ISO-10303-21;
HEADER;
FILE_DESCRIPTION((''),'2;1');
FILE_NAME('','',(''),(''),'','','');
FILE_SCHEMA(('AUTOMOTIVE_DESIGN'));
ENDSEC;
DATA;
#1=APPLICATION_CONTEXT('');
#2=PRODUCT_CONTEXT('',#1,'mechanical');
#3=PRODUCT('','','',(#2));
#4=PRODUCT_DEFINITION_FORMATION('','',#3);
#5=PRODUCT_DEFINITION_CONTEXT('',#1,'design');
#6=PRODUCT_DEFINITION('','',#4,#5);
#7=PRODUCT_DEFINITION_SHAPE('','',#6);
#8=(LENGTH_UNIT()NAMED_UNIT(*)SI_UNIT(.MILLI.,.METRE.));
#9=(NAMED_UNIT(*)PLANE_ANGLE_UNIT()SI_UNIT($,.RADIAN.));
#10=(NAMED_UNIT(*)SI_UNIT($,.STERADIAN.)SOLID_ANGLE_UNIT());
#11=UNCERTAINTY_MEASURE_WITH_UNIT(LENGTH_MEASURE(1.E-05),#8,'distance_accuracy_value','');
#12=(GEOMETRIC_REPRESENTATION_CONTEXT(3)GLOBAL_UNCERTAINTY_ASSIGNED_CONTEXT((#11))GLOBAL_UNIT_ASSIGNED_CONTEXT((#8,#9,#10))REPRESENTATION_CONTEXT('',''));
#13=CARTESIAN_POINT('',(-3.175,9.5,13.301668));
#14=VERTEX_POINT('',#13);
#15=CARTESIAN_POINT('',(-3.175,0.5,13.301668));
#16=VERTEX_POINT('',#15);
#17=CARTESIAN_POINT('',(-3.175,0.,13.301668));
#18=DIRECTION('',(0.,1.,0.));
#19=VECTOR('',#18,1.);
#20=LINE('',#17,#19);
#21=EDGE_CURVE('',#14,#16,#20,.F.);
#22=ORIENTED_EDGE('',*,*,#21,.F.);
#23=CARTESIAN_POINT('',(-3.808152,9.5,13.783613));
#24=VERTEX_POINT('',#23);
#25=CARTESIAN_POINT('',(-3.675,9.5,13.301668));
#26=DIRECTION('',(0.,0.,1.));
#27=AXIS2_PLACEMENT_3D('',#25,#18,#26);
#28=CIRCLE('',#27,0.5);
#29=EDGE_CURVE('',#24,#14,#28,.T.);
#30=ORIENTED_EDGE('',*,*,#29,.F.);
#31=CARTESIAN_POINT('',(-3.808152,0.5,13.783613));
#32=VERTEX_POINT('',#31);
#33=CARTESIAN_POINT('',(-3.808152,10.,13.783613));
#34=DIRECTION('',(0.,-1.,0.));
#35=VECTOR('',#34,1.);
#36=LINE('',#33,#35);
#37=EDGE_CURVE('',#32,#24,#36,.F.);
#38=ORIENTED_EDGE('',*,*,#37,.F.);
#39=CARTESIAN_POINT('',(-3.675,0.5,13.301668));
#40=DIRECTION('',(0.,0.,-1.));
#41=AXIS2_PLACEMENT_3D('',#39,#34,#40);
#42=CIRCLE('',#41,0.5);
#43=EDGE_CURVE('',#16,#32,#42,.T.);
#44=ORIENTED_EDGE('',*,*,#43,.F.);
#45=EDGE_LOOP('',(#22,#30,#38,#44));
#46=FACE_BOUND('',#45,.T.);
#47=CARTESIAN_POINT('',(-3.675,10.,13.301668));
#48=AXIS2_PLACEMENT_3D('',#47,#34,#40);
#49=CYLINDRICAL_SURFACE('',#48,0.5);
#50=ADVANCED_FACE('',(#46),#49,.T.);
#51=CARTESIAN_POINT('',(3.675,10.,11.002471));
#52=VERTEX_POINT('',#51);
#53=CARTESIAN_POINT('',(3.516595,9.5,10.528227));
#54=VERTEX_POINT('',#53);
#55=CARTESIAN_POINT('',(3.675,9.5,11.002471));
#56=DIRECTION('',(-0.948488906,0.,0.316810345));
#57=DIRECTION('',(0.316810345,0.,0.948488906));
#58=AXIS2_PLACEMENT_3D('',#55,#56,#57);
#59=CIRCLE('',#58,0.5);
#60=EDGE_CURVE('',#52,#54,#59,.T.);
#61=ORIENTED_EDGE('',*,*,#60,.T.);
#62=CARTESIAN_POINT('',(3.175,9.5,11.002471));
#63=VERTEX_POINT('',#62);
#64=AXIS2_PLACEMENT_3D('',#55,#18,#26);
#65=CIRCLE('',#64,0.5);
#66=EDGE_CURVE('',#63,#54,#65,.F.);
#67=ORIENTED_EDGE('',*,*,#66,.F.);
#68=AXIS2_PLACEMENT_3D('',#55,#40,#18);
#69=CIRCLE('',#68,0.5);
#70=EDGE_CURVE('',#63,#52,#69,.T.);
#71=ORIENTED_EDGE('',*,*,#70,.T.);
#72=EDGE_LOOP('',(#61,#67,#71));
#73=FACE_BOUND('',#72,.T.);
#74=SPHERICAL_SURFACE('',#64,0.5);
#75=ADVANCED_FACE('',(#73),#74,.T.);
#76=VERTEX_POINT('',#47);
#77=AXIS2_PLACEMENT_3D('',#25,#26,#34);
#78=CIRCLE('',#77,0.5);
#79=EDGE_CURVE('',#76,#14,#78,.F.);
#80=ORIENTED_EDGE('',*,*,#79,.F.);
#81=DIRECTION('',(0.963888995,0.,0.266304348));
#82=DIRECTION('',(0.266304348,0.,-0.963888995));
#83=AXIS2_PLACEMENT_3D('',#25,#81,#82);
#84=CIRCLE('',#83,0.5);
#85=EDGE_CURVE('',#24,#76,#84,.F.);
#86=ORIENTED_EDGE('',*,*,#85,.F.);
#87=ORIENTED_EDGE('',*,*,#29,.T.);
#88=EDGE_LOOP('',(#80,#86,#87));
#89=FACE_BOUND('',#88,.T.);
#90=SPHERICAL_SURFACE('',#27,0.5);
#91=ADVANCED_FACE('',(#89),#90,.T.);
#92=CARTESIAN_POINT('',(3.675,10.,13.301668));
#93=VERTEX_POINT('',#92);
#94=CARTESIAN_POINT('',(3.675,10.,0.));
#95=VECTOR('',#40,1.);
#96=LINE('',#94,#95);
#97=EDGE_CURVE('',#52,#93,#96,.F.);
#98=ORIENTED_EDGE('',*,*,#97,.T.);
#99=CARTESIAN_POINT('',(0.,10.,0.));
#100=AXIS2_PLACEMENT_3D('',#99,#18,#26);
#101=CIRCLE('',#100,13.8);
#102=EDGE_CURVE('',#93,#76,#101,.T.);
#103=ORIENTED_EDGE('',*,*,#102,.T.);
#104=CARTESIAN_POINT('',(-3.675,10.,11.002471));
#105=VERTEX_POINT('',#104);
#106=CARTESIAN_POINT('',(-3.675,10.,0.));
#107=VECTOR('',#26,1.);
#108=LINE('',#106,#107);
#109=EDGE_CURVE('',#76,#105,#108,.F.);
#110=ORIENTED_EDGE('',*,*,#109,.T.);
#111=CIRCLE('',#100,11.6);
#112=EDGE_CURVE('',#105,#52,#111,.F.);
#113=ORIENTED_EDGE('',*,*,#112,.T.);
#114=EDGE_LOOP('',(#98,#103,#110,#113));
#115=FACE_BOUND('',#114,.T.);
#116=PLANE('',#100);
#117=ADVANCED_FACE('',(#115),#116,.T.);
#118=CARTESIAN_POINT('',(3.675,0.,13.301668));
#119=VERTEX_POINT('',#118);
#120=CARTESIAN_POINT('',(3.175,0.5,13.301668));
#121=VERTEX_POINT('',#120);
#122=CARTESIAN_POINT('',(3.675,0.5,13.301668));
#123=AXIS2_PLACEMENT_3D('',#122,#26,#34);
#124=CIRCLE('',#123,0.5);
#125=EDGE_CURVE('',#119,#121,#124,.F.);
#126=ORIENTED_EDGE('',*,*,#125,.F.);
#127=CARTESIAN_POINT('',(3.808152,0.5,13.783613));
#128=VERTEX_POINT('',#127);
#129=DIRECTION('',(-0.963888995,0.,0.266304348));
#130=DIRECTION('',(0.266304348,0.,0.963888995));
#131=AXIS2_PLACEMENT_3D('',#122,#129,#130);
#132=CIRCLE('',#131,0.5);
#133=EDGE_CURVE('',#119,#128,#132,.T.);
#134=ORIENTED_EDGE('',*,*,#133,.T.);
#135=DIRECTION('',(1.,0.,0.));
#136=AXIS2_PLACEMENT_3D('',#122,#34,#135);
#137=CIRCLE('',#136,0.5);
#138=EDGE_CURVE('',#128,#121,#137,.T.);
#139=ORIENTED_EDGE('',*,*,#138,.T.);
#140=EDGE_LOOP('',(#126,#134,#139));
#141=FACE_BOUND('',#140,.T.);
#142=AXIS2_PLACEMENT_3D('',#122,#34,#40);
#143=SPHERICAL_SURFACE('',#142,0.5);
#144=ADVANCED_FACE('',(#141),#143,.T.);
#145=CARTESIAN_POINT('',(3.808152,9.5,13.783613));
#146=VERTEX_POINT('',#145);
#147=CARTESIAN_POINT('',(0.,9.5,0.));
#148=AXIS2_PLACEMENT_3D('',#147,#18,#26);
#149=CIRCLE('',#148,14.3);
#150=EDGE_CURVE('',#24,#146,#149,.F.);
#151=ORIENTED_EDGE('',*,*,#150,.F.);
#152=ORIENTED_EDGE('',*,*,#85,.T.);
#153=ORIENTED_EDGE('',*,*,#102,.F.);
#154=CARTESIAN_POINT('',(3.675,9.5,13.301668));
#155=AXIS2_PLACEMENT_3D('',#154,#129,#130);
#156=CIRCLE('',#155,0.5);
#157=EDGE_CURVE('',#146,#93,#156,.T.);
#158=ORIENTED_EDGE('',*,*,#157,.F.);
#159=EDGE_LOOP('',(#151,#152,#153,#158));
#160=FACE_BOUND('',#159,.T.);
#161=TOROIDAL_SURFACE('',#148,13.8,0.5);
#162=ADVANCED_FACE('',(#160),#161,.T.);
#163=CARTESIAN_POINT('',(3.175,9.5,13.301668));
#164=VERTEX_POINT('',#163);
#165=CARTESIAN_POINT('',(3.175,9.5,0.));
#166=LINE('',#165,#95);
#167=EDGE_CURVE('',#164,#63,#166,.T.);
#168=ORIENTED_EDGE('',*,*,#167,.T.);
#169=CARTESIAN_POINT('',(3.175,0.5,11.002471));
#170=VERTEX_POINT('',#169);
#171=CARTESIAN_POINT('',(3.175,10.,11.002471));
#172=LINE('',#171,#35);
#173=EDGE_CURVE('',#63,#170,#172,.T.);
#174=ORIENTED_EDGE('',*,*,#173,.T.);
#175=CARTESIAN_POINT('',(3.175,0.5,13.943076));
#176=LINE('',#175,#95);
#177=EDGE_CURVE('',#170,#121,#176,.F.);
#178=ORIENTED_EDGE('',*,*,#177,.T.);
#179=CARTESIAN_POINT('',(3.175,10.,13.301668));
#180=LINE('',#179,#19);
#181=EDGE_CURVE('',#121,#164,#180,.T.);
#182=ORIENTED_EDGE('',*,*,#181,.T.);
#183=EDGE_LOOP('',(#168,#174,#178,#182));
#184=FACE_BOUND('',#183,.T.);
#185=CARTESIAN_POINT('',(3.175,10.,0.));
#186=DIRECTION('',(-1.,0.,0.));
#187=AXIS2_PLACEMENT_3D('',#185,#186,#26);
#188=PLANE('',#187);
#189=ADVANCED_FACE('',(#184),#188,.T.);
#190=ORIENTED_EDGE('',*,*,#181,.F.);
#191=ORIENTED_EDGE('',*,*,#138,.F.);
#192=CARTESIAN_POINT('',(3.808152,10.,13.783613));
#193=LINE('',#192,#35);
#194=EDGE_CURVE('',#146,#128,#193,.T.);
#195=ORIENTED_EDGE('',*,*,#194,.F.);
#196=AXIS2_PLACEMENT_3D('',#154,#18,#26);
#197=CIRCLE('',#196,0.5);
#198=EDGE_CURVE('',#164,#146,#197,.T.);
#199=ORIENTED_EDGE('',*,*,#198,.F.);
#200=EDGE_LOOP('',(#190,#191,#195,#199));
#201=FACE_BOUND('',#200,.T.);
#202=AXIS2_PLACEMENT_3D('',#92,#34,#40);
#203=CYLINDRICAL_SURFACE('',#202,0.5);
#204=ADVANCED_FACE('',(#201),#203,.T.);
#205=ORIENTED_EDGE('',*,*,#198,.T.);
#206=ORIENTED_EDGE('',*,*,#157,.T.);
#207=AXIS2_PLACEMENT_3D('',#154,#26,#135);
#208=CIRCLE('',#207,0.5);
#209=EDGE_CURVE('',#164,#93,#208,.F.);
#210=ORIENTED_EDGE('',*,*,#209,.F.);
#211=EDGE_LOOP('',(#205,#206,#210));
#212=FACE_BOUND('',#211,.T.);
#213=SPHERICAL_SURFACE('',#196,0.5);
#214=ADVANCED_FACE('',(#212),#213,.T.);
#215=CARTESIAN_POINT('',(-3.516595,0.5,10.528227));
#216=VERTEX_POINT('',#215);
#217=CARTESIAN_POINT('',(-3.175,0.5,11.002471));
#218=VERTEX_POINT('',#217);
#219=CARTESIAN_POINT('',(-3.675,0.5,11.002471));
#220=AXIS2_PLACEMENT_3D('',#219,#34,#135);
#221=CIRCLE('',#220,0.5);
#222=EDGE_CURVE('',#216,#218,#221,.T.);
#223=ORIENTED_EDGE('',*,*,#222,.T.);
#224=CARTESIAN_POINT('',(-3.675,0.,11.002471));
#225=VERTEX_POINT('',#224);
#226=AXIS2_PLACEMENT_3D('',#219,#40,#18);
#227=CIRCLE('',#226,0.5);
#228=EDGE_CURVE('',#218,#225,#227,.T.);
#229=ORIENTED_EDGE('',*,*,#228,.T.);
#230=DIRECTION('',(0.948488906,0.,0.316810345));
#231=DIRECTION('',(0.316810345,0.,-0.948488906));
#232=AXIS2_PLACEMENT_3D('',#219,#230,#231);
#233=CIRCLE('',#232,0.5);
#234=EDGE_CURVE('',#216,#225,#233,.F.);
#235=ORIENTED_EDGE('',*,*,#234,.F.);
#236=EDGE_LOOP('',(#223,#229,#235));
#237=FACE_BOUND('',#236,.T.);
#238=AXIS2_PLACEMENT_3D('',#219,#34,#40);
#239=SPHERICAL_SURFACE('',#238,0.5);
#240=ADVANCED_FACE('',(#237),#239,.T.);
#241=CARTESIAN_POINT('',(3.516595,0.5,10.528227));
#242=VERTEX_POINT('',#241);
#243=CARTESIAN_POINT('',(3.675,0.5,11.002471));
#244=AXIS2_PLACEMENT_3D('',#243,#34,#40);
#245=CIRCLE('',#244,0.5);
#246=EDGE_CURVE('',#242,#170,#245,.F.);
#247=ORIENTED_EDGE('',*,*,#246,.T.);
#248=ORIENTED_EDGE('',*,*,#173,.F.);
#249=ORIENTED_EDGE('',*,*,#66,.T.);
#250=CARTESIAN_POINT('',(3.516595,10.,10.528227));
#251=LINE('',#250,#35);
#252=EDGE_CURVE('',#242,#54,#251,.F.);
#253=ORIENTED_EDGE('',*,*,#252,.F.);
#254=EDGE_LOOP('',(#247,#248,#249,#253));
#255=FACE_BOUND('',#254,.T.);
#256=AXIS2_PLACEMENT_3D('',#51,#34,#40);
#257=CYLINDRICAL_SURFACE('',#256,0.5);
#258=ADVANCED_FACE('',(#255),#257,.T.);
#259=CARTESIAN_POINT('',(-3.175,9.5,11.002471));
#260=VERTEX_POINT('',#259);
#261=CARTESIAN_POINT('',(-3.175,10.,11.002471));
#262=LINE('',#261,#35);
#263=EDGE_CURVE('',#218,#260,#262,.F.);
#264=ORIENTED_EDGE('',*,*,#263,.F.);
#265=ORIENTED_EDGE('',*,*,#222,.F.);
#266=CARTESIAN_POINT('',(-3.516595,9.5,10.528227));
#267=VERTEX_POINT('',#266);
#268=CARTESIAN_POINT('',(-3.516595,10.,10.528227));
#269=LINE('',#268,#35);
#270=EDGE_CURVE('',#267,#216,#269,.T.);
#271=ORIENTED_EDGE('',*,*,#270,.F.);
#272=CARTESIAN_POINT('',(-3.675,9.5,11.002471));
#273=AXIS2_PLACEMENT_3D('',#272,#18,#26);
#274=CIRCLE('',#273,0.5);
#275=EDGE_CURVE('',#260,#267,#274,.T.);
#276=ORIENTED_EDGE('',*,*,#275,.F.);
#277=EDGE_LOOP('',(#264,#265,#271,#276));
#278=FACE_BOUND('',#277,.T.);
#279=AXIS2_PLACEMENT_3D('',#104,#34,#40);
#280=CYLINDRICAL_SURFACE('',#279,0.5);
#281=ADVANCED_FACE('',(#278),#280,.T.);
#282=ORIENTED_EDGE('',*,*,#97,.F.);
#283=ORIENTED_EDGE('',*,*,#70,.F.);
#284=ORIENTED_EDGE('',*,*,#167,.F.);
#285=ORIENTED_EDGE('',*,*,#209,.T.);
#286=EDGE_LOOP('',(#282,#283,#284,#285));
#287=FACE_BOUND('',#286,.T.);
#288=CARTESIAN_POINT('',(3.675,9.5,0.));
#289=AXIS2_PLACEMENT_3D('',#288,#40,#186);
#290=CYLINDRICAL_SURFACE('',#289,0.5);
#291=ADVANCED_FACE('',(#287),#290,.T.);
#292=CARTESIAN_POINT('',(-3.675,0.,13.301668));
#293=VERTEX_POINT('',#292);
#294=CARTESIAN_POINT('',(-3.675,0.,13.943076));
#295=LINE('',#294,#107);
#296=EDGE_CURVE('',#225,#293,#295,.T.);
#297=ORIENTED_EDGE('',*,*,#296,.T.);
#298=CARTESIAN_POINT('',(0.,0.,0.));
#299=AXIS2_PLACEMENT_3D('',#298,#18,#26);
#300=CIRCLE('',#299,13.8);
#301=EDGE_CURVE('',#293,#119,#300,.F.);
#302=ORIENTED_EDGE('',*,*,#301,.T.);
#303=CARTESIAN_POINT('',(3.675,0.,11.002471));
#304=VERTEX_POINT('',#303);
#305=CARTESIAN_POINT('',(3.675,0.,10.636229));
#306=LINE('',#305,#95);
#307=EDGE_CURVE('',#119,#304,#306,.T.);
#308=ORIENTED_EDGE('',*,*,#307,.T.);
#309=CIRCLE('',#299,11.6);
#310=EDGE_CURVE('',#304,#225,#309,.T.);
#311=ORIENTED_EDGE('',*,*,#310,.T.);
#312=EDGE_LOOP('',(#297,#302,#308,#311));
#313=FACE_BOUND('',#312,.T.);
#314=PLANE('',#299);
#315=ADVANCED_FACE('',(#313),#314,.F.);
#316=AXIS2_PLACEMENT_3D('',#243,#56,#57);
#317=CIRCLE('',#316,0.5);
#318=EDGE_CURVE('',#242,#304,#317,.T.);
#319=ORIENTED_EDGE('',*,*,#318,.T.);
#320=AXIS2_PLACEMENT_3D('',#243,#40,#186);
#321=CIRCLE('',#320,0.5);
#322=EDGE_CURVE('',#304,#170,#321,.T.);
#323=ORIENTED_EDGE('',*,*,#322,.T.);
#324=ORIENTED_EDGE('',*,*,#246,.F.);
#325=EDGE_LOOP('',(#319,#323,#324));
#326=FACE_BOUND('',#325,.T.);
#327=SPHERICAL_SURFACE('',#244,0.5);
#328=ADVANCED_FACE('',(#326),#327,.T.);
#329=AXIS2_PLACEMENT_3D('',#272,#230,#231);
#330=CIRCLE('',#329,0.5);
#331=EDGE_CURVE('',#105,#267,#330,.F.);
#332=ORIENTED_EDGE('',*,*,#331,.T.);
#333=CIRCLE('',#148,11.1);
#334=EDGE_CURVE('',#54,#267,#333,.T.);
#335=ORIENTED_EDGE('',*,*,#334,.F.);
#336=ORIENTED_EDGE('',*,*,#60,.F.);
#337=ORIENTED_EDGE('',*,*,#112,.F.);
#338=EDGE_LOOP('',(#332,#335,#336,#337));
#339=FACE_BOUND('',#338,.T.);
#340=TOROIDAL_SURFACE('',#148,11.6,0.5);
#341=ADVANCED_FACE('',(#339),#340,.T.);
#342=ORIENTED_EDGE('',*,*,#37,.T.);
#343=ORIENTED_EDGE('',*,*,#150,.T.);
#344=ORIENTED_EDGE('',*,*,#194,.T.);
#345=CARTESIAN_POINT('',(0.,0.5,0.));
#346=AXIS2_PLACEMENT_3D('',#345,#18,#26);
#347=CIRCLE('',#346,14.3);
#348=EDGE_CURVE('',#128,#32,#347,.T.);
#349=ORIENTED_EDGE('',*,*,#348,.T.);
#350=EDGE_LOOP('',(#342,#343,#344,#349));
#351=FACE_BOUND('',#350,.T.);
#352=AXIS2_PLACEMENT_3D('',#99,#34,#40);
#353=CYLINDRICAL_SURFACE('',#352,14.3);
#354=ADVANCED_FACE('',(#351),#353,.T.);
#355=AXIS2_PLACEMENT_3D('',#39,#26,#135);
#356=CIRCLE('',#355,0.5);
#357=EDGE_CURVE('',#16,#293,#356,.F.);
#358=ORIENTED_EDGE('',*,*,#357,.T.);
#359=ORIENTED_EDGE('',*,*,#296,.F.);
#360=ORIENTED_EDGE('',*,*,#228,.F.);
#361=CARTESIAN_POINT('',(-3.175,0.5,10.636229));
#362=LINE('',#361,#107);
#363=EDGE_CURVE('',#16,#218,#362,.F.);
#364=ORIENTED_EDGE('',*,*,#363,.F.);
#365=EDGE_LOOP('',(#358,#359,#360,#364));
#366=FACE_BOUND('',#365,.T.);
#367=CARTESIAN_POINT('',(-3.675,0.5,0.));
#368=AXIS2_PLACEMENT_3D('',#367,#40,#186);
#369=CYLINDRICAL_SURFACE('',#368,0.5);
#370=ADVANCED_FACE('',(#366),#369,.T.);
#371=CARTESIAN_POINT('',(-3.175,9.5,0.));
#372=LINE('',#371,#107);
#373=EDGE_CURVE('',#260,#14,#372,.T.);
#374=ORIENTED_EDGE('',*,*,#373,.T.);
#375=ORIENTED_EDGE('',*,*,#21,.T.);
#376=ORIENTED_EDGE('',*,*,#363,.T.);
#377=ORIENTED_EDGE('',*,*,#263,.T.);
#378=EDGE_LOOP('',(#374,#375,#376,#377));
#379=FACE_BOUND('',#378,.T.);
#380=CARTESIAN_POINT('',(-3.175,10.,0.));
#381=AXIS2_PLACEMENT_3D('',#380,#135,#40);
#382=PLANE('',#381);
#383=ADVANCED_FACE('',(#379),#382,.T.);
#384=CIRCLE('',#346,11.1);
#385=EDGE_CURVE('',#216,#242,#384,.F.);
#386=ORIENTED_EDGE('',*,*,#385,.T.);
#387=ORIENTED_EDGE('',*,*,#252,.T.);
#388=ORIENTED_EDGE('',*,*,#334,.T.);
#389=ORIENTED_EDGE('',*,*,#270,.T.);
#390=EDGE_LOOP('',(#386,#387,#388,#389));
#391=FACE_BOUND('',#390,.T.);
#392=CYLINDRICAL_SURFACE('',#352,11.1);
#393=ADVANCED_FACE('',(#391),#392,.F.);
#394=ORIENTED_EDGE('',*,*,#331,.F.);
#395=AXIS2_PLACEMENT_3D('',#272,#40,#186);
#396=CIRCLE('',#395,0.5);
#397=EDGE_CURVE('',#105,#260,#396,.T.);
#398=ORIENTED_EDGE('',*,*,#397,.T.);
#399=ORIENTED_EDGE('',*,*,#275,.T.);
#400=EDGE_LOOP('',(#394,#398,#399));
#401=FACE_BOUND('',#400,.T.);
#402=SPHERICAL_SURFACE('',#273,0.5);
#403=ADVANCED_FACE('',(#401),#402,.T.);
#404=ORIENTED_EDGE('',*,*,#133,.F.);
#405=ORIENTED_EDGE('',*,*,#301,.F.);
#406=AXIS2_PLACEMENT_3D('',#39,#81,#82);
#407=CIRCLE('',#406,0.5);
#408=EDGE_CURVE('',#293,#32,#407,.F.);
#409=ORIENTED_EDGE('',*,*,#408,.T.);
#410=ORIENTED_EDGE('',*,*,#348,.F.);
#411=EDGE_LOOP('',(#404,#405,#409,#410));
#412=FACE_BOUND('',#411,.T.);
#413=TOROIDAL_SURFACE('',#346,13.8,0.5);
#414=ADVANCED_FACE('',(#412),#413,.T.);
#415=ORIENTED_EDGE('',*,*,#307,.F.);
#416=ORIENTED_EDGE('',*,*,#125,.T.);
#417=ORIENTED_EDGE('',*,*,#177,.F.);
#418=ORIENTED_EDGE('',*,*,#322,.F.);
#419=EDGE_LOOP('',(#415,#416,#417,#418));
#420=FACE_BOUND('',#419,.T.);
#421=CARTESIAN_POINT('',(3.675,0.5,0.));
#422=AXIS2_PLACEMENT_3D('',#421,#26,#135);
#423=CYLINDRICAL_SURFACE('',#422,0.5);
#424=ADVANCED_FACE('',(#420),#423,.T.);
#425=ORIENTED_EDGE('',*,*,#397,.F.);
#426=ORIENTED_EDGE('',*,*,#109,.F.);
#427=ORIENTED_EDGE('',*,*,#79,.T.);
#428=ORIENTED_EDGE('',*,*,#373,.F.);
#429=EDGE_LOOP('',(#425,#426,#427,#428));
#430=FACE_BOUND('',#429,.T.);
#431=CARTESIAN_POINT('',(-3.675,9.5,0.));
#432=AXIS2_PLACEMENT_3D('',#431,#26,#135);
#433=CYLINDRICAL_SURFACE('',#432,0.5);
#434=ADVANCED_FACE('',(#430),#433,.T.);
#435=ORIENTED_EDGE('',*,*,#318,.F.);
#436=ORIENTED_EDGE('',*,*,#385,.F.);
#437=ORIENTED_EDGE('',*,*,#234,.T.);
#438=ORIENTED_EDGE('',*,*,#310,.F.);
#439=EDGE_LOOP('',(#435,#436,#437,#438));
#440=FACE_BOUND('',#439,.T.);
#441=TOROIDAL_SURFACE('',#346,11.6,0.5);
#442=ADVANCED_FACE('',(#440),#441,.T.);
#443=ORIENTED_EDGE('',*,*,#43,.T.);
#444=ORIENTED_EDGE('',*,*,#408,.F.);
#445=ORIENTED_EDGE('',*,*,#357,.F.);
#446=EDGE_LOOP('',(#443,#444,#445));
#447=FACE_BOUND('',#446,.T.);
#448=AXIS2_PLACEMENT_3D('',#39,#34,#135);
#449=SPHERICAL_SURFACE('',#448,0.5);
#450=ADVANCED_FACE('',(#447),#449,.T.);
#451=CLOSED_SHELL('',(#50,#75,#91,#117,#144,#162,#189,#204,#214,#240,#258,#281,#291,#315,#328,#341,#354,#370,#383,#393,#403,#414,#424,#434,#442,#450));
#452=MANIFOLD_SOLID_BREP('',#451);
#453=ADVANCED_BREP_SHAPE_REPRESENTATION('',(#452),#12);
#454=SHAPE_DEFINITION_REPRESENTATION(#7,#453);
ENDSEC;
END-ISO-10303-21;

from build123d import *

# Parameters (mm, degrees)
SKETCH1_R           = 14.3
SKETCH1_R_2         = 11.1
BOSS_EXTRUDE1_DEPTH = 10
SKETCH2_W           = 6.35
SKETCH2_H           = 14.3
CUT_EXTRUDE1_DEPTH  = 23.560585099
FILLET1_R           = 0.5


with BuildPart() as part:
    # Sketch1 → Boss-Extrude1 (new body)
    with BuildSketch(Plane(origin=(0, 0, 0), x_dir=(1, 0, 0), z_dir=(0, 1, 0))):
        Circle(SKETCH1_R)
        Circle(SKETCH1_R_2, mode=Mode.SUBTRACT)
    extrude(amount=BOSS_EXTRUDE1_DEPTH)

    # Sketch2 → Cut-Extrude1 (cut, through all)
    with BuildSketch(Plane(origin=(0, 0, 0), x_dir=(1, 0, 0), z_dir=(0, 1, 0))):
        with Locations((0, -7.15)):
            Rectangle(SKETCH2_W, SKETCH2_H)
    extrude(amount=CUT_EXTRUDE1_DEPTH, mode=Mode.SUBTRACT)

    # Fillet1
    fillet1_edges = [part.edges().sort_by_distance(p)[0] for p in [
        (0, 0, -11.1),
        (3.175, 0, 12.289652799),
        (0, 0, -14.3),
        (-3.175, 0, 12.289652799),
        (3.175, 10, 12.289652799),
        (0, 10, -11.1),
        (-3.175, 10, 12.289652799),
        (0, 10, -14.3),
        (3.175, 5, 10.63622936),
        (3.175, 5, 13.943076239),
        (-3.175, 5, 10.63622936),
        (-3.175, 5, 13.943076239),
    ]]
    fillet(fillet1_edges, radius=FILLET1_R)


solid = part.part
